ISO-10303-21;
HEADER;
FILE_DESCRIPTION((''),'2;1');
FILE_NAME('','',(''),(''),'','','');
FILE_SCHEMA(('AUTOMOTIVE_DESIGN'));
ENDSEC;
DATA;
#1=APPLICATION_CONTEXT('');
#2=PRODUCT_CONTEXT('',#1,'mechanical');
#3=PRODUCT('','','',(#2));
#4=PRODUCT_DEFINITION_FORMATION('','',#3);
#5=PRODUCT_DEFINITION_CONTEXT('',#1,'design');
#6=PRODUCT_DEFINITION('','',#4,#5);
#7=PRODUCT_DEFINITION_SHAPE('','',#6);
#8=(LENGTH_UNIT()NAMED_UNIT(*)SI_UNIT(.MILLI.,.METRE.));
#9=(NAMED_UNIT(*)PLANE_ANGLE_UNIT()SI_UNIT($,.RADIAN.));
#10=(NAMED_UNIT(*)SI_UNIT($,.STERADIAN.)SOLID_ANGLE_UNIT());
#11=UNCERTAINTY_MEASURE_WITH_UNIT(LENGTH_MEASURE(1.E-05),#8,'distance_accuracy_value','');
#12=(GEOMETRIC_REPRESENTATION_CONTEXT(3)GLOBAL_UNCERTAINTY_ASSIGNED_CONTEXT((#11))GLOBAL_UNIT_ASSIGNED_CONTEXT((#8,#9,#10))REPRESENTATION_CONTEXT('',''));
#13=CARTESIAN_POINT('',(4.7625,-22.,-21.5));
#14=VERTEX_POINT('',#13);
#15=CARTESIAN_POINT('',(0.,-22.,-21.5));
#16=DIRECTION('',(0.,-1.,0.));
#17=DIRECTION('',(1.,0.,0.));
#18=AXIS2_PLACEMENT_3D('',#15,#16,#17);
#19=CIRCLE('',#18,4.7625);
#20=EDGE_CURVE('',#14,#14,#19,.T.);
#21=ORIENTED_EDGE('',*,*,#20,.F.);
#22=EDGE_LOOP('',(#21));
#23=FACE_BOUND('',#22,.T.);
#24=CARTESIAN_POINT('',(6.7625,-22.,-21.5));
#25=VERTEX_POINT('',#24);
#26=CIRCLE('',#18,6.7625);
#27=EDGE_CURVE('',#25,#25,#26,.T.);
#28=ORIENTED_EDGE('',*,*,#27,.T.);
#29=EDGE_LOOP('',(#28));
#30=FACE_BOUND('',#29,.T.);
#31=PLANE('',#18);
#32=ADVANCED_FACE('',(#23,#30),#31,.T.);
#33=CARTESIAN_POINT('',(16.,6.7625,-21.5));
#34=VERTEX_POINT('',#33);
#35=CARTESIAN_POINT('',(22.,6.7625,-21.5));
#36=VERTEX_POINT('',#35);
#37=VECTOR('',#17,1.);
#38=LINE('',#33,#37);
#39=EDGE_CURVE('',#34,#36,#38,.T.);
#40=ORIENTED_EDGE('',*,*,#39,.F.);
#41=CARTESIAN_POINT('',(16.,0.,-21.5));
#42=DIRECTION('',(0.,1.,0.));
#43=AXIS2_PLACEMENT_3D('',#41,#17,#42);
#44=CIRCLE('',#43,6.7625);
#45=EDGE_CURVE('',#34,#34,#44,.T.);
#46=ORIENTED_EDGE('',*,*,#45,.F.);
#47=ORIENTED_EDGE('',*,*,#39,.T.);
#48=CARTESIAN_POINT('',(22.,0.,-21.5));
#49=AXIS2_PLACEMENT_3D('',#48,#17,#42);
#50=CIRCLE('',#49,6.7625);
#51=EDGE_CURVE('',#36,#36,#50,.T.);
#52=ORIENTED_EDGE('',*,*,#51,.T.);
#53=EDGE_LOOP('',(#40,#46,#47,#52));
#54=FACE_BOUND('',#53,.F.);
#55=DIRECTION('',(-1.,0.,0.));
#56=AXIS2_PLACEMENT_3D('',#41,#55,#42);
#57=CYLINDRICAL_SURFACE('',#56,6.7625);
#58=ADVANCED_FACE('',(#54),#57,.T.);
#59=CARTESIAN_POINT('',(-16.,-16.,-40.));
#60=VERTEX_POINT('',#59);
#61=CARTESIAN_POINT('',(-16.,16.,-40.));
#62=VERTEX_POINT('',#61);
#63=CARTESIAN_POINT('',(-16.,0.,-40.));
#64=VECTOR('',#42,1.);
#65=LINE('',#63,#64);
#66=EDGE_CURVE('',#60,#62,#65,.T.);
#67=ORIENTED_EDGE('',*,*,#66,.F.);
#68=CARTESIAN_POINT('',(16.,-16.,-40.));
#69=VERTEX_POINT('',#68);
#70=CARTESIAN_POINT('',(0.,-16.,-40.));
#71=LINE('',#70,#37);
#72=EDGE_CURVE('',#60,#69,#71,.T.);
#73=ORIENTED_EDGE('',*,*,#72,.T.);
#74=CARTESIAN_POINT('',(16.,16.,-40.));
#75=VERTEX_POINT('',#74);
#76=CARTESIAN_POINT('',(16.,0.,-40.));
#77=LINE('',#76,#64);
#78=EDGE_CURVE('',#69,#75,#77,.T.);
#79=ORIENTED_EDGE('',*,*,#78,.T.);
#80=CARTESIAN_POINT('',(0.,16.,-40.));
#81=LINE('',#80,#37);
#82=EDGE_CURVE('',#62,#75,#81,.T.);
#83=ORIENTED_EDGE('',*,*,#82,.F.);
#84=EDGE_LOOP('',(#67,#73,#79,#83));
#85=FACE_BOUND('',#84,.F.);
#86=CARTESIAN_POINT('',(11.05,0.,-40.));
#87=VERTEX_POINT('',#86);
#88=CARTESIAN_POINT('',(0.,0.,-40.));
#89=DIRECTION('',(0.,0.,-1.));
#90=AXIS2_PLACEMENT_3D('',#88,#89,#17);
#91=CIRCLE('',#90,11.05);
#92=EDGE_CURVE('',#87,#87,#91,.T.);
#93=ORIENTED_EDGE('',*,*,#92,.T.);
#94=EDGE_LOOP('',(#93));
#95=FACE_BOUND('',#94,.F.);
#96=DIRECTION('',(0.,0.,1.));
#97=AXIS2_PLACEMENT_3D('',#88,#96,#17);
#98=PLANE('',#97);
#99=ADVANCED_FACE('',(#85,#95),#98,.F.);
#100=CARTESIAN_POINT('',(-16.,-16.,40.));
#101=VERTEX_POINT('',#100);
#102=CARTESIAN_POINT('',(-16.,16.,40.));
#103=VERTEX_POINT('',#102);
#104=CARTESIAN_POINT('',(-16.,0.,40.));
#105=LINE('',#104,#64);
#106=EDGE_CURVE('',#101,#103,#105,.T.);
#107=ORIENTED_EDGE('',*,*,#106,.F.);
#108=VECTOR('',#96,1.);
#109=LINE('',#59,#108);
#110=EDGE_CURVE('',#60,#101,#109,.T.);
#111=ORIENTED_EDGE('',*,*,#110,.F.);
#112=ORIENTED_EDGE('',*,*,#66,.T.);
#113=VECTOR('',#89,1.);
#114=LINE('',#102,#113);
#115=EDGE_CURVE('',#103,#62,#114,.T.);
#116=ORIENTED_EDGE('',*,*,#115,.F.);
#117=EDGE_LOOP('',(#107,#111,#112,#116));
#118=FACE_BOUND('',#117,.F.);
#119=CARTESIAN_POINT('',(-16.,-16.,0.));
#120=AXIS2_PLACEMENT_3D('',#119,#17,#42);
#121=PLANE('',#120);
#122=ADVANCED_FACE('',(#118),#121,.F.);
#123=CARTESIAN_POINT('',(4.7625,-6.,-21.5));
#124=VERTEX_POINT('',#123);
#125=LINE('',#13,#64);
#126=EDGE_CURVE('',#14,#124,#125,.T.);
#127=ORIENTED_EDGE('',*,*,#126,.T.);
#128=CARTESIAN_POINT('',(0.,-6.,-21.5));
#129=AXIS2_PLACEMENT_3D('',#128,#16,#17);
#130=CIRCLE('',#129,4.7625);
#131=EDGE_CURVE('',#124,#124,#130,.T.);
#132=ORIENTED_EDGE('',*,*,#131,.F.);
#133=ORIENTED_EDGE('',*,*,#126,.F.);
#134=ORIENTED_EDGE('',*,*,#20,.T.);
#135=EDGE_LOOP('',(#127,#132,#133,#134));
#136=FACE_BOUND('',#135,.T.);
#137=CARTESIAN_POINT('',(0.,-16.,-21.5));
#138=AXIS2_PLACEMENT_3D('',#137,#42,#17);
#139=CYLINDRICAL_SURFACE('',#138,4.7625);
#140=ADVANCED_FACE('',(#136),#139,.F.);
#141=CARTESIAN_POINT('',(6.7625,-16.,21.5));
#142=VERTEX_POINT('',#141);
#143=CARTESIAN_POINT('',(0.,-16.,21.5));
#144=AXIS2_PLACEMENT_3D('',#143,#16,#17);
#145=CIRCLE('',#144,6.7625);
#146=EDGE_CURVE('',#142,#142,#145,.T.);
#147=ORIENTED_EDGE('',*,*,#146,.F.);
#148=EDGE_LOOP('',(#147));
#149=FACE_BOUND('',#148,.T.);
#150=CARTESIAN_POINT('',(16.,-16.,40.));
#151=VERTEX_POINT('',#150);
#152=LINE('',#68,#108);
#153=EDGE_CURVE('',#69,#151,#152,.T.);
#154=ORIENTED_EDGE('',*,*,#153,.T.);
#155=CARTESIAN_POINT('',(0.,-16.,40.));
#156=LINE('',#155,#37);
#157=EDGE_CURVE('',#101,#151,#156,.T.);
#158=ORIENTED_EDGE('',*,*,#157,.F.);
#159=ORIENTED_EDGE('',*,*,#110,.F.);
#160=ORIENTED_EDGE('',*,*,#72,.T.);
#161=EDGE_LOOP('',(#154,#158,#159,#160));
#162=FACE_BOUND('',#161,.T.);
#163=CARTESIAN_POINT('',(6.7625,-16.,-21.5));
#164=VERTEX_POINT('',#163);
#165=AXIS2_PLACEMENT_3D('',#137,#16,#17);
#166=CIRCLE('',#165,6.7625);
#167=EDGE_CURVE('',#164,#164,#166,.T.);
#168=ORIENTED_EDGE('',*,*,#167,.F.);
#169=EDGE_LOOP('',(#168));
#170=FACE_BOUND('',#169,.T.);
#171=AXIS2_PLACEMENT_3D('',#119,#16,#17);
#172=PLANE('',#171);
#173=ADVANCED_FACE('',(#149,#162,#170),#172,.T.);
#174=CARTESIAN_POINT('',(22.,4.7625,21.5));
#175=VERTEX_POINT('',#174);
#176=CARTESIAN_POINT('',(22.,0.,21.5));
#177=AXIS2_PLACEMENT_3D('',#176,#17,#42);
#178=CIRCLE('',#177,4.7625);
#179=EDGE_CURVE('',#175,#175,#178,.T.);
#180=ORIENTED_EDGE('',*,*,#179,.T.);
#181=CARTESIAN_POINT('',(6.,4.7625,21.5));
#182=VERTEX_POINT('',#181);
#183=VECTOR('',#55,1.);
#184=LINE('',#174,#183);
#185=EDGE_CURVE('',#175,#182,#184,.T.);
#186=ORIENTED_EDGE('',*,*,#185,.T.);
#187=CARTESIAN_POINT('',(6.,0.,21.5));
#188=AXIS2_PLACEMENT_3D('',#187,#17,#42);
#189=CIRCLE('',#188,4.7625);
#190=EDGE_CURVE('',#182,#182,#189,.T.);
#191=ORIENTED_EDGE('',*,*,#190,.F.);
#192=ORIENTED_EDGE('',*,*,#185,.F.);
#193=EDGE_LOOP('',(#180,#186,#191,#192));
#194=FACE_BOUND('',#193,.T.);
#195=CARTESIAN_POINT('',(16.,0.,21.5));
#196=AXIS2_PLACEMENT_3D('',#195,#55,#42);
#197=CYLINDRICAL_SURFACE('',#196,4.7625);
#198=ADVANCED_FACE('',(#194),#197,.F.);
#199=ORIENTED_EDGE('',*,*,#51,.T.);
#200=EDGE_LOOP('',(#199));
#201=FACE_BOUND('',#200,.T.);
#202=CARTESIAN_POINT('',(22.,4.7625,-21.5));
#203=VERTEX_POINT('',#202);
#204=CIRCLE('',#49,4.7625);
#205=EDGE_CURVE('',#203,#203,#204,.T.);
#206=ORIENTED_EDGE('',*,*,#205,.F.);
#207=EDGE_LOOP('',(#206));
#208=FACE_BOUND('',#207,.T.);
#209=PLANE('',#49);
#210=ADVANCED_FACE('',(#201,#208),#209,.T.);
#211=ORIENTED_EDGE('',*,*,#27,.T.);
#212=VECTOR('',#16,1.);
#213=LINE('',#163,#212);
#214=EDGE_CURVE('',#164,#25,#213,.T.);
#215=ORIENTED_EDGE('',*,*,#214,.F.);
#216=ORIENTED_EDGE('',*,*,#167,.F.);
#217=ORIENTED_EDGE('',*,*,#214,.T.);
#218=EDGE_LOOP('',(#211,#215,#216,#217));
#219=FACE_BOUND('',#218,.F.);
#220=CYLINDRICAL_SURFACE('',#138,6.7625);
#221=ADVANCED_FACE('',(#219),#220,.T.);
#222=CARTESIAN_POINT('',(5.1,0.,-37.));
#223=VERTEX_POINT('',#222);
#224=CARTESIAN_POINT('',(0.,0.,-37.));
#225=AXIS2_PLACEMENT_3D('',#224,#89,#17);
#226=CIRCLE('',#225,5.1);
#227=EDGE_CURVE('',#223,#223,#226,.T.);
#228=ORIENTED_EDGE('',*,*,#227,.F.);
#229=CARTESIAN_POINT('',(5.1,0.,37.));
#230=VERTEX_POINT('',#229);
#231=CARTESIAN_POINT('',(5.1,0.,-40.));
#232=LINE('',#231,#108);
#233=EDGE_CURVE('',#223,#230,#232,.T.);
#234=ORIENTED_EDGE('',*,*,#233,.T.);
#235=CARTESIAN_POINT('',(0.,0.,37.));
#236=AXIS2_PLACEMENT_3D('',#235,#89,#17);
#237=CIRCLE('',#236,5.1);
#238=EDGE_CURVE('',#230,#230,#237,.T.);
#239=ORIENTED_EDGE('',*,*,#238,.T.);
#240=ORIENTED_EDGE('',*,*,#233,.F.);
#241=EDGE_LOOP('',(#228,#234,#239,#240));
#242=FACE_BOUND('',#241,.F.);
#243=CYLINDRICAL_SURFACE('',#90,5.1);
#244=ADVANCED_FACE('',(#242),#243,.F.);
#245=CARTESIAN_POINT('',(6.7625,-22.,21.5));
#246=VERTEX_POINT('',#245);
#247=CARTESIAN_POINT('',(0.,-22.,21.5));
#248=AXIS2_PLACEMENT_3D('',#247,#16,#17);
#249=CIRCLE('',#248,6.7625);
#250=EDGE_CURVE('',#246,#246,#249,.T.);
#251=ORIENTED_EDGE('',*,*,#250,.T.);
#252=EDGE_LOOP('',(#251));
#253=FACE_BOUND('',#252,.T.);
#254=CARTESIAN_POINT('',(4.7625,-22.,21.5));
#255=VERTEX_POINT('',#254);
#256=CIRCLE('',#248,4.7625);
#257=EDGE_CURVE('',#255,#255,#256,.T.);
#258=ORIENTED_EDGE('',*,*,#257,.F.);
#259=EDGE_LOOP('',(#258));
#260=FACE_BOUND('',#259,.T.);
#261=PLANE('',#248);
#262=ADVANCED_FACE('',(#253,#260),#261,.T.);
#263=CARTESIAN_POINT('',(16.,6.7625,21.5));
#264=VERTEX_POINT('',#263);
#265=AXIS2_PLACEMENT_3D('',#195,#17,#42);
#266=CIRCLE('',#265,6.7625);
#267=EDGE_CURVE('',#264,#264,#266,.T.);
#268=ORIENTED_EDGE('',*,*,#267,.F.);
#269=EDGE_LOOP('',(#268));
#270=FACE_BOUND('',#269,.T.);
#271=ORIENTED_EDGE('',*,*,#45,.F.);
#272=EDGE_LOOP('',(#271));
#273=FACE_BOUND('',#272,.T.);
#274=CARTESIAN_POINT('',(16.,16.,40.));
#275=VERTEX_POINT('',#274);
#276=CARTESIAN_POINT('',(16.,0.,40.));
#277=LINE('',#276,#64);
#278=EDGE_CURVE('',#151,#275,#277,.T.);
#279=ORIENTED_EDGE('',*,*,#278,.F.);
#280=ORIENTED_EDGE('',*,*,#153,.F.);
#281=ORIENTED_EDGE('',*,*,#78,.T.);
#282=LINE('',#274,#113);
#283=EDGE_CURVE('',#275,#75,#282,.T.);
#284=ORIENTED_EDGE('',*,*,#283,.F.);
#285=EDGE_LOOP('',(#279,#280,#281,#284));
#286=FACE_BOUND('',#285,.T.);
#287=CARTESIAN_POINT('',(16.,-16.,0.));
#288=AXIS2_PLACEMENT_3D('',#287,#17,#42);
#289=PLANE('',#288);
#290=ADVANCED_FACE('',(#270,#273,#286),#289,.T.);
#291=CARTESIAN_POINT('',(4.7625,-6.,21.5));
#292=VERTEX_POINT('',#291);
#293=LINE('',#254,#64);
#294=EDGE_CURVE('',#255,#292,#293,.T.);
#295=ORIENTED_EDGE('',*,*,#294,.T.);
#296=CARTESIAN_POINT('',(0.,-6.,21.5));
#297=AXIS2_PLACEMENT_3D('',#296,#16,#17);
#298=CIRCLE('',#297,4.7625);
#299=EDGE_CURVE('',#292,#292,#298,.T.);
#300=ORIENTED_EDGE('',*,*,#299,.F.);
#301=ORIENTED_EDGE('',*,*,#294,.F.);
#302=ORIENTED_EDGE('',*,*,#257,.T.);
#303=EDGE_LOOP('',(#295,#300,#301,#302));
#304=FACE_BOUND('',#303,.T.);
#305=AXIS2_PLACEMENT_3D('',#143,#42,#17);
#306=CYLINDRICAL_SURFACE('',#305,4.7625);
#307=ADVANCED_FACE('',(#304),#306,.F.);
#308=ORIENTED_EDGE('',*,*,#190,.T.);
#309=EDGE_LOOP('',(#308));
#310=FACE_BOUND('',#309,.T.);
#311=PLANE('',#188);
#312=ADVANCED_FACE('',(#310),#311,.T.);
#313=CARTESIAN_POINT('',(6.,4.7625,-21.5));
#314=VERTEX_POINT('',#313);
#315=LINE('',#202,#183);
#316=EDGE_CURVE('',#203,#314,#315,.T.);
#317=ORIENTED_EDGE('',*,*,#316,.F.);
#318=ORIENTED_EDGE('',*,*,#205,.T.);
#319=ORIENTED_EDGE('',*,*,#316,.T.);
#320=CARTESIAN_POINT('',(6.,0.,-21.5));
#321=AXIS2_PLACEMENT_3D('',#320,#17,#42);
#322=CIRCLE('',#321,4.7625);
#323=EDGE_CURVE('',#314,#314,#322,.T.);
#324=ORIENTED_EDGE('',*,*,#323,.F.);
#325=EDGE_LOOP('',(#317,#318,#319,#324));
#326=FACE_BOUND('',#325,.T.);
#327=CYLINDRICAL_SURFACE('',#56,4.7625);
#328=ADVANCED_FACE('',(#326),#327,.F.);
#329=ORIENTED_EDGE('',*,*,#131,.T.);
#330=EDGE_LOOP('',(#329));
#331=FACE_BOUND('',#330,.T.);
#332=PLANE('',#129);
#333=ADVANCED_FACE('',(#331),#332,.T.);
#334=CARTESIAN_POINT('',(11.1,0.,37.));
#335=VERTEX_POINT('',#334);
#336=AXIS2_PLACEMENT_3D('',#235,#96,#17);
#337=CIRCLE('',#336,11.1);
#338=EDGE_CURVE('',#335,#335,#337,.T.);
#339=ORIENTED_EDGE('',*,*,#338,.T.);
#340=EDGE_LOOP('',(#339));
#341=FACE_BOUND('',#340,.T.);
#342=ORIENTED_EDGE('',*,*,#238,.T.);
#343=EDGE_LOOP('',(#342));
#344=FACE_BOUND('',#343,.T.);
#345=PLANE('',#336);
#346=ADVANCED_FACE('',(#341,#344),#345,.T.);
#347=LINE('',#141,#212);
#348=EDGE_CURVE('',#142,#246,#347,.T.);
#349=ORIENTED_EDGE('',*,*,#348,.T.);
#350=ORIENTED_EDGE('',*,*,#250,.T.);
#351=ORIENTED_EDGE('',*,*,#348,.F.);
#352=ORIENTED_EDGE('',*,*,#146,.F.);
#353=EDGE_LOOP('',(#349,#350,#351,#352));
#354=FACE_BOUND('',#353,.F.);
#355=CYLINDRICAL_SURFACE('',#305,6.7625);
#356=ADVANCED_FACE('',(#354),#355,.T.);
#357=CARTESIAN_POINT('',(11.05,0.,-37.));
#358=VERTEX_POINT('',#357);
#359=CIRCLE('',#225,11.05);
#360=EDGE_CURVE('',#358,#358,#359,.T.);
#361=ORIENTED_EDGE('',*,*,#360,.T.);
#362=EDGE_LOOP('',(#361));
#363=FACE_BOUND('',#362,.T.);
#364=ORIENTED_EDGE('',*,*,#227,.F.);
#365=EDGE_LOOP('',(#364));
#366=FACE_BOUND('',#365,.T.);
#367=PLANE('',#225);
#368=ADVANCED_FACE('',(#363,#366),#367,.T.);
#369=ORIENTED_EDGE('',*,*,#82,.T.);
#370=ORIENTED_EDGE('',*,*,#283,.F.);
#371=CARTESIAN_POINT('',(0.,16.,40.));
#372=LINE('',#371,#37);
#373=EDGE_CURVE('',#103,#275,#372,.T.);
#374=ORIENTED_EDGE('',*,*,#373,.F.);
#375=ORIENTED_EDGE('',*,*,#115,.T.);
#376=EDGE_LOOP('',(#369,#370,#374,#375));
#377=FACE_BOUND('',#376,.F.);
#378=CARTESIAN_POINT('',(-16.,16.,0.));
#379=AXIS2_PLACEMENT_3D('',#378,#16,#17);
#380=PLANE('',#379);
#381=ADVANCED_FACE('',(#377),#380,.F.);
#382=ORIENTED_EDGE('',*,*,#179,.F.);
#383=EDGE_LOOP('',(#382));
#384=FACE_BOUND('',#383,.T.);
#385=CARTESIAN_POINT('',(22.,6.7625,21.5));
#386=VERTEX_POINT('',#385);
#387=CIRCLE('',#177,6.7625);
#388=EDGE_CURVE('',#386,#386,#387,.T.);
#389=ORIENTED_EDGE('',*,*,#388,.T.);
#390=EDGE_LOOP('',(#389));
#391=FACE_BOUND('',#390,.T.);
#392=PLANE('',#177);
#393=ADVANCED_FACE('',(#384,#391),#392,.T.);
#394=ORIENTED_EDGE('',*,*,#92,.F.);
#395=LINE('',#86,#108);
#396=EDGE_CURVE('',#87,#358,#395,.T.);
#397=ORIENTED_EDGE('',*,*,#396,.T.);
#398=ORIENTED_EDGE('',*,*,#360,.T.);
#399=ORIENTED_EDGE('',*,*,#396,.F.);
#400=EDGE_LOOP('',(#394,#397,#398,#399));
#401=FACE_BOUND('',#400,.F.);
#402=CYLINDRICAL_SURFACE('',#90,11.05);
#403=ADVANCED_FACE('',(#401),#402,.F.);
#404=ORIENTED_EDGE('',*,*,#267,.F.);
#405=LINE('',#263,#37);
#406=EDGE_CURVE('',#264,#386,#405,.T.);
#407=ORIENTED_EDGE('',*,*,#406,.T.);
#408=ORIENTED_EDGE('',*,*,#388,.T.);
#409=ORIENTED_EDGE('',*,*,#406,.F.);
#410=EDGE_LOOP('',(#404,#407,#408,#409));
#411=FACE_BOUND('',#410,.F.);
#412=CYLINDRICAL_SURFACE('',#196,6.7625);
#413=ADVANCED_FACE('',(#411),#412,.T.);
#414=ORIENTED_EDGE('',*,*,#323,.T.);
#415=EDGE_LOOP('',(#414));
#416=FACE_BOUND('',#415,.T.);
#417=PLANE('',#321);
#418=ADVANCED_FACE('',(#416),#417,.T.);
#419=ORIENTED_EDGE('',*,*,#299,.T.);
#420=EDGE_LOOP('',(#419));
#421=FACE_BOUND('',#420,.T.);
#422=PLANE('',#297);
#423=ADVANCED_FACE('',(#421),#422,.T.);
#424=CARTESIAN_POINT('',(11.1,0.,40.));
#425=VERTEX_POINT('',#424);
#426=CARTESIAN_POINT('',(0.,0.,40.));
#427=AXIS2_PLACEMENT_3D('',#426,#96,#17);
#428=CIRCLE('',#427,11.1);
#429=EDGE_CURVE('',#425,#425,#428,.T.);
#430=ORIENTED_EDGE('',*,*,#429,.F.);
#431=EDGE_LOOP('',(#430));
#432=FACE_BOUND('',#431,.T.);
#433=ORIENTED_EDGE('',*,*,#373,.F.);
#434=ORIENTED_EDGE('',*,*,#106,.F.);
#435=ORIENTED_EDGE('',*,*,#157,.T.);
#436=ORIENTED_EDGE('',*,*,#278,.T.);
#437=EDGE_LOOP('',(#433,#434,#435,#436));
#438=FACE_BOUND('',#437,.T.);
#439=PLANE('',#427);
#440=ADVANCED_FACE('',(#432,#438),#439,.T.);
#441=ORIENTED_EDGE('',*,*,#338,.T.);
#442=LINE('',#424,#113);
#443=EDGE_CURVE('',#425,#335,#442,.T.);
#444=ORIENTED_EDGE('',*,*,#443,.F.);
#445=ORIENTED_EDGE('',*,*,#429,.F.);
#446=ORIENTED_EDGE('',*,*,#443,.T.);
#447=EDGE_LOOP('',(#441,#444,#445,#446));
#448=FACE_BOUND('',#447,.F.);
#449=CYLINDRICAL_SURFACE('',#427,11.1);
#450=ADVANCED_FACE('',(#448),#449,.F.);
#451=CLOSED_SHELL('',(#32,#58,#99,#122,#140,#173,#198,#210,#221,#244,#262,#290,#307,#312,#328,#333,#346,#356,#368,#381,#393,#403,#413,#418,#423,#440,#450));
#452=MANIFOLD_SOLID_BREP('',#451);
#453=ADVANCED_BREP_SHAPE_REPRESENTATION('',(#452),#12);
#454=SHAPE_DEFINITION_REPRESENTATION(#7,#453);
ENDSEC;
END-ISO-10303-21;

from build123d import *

# Parameters (mm, degrees)
F0_W      = 32
F0_H      = 32
F1_DEPTH  = 40
F2_R      = 4.7625
F3_DEPTH  = 10
F4_R      = 4.7625
F5_DEPTH  = 10
F6_R      = 11.1
F7_DEPTH  = 3
F8_R      = 11.05
F9_DEPTH  = 3
F10_R     = 5.1
F11_DEPTH = 80.001
F12_R     = 6.7625
F12_R_2   = 4.7625
F13_DEPTH = 6
F14_R     = 6.7625
F14_R_2   = 4.7625
F15_DEPTH = 6


with BuildPart() as f1:
    # F0 (on Top) → F1 (new body, symmetric)
    with BuildSketch(Plane.XY):
        Rectangle(F0_W, F0_H)
    extrude(amount=F1_DEPTH, both=True)

    # F2 (on face) → F3 (cut)
    with BuildSketch(Plane.YZ.offset(16)):
        with Locations((0, 21.5)):
            Circle(F2_R)
        with Locations((0, -21.5)):
            Circle(F2_R)
    extrude(amount=-F3_DEPTH, mode=Mode.SUBTRACT)

    # F4 (on face) → F5 (cut)
    with BuildSketch(Plane.XZ.offset(16)):
        with Locations((0, 21.5)):
            Circle(F4_R)
        with Locations((0, -21.5)):
            Circle(F4_R)
    extrude(amount=-F5_DEPTH, mode=Mode.SUBTRACT)

    # F6 (on face) → F7 (cut)
    with BuildSketch(Plane.XY.offset(40)):
        Circle(F6_R)
    extrude(amount=-F7_DEPTH, mode=Mode.SUBTRACT)

    # F8 (on face) → F9 (cut)
    with BuildSketch(Plane(origin=(0, 0, -40), x_dir=(1, 0, 0), z_dir=(0, 0, -1))):
        Circle(F8_R)
    extrude(amount=-F9_DEPTH, mode=Mode.SUBTRACT)

    # F10 (on face) → F11 (cut, through all)
    with BuildSketch(Plane(origin=(0, 0, -40), x_dir=(1, 0, 0), z_dir=(0, 0, -1))):
        Circle(F10_R)
    extrude(amount=-F11_DEPTH, mode=Mode.SUBTRACT)

    # F12 (on face) → F13 (join)
    with BuildSketch(Plane.YZ.offset(16)):
        with Locations((0, 21.5)):
            Circle(F12_R)
        with Locations((0, 21.5)):
            Circle(F12_R_2, mode=Mode.SUBTRACT)
        with Locations((0, -21.5)):
            Circle(F12_R)
        with Locations((0, -21.5)):
            Circle(F12_R_2, mode=Mode.SUBTRACT)
    extrude(amount=F13_DEPTH)

    # F14 (on face) → F15 (join)
    with BuildSketch(Plane.XZ.offset(16)):
        with Locations((0, 21.5)):
            Circle(F14_R)
        with Locations((0, 21.5)):
            Circle(F14_R_2, mode=Mode.SUBTRACT)
        with Locations((0, -21.5)):
            Circle(F14_R)
        with Locations((0, -21.5)):
            Circle(F14_R_2, mode=Mode.SUBTRACT)
    extrude(amount=F15_DEPTH)


solid = f1.part
